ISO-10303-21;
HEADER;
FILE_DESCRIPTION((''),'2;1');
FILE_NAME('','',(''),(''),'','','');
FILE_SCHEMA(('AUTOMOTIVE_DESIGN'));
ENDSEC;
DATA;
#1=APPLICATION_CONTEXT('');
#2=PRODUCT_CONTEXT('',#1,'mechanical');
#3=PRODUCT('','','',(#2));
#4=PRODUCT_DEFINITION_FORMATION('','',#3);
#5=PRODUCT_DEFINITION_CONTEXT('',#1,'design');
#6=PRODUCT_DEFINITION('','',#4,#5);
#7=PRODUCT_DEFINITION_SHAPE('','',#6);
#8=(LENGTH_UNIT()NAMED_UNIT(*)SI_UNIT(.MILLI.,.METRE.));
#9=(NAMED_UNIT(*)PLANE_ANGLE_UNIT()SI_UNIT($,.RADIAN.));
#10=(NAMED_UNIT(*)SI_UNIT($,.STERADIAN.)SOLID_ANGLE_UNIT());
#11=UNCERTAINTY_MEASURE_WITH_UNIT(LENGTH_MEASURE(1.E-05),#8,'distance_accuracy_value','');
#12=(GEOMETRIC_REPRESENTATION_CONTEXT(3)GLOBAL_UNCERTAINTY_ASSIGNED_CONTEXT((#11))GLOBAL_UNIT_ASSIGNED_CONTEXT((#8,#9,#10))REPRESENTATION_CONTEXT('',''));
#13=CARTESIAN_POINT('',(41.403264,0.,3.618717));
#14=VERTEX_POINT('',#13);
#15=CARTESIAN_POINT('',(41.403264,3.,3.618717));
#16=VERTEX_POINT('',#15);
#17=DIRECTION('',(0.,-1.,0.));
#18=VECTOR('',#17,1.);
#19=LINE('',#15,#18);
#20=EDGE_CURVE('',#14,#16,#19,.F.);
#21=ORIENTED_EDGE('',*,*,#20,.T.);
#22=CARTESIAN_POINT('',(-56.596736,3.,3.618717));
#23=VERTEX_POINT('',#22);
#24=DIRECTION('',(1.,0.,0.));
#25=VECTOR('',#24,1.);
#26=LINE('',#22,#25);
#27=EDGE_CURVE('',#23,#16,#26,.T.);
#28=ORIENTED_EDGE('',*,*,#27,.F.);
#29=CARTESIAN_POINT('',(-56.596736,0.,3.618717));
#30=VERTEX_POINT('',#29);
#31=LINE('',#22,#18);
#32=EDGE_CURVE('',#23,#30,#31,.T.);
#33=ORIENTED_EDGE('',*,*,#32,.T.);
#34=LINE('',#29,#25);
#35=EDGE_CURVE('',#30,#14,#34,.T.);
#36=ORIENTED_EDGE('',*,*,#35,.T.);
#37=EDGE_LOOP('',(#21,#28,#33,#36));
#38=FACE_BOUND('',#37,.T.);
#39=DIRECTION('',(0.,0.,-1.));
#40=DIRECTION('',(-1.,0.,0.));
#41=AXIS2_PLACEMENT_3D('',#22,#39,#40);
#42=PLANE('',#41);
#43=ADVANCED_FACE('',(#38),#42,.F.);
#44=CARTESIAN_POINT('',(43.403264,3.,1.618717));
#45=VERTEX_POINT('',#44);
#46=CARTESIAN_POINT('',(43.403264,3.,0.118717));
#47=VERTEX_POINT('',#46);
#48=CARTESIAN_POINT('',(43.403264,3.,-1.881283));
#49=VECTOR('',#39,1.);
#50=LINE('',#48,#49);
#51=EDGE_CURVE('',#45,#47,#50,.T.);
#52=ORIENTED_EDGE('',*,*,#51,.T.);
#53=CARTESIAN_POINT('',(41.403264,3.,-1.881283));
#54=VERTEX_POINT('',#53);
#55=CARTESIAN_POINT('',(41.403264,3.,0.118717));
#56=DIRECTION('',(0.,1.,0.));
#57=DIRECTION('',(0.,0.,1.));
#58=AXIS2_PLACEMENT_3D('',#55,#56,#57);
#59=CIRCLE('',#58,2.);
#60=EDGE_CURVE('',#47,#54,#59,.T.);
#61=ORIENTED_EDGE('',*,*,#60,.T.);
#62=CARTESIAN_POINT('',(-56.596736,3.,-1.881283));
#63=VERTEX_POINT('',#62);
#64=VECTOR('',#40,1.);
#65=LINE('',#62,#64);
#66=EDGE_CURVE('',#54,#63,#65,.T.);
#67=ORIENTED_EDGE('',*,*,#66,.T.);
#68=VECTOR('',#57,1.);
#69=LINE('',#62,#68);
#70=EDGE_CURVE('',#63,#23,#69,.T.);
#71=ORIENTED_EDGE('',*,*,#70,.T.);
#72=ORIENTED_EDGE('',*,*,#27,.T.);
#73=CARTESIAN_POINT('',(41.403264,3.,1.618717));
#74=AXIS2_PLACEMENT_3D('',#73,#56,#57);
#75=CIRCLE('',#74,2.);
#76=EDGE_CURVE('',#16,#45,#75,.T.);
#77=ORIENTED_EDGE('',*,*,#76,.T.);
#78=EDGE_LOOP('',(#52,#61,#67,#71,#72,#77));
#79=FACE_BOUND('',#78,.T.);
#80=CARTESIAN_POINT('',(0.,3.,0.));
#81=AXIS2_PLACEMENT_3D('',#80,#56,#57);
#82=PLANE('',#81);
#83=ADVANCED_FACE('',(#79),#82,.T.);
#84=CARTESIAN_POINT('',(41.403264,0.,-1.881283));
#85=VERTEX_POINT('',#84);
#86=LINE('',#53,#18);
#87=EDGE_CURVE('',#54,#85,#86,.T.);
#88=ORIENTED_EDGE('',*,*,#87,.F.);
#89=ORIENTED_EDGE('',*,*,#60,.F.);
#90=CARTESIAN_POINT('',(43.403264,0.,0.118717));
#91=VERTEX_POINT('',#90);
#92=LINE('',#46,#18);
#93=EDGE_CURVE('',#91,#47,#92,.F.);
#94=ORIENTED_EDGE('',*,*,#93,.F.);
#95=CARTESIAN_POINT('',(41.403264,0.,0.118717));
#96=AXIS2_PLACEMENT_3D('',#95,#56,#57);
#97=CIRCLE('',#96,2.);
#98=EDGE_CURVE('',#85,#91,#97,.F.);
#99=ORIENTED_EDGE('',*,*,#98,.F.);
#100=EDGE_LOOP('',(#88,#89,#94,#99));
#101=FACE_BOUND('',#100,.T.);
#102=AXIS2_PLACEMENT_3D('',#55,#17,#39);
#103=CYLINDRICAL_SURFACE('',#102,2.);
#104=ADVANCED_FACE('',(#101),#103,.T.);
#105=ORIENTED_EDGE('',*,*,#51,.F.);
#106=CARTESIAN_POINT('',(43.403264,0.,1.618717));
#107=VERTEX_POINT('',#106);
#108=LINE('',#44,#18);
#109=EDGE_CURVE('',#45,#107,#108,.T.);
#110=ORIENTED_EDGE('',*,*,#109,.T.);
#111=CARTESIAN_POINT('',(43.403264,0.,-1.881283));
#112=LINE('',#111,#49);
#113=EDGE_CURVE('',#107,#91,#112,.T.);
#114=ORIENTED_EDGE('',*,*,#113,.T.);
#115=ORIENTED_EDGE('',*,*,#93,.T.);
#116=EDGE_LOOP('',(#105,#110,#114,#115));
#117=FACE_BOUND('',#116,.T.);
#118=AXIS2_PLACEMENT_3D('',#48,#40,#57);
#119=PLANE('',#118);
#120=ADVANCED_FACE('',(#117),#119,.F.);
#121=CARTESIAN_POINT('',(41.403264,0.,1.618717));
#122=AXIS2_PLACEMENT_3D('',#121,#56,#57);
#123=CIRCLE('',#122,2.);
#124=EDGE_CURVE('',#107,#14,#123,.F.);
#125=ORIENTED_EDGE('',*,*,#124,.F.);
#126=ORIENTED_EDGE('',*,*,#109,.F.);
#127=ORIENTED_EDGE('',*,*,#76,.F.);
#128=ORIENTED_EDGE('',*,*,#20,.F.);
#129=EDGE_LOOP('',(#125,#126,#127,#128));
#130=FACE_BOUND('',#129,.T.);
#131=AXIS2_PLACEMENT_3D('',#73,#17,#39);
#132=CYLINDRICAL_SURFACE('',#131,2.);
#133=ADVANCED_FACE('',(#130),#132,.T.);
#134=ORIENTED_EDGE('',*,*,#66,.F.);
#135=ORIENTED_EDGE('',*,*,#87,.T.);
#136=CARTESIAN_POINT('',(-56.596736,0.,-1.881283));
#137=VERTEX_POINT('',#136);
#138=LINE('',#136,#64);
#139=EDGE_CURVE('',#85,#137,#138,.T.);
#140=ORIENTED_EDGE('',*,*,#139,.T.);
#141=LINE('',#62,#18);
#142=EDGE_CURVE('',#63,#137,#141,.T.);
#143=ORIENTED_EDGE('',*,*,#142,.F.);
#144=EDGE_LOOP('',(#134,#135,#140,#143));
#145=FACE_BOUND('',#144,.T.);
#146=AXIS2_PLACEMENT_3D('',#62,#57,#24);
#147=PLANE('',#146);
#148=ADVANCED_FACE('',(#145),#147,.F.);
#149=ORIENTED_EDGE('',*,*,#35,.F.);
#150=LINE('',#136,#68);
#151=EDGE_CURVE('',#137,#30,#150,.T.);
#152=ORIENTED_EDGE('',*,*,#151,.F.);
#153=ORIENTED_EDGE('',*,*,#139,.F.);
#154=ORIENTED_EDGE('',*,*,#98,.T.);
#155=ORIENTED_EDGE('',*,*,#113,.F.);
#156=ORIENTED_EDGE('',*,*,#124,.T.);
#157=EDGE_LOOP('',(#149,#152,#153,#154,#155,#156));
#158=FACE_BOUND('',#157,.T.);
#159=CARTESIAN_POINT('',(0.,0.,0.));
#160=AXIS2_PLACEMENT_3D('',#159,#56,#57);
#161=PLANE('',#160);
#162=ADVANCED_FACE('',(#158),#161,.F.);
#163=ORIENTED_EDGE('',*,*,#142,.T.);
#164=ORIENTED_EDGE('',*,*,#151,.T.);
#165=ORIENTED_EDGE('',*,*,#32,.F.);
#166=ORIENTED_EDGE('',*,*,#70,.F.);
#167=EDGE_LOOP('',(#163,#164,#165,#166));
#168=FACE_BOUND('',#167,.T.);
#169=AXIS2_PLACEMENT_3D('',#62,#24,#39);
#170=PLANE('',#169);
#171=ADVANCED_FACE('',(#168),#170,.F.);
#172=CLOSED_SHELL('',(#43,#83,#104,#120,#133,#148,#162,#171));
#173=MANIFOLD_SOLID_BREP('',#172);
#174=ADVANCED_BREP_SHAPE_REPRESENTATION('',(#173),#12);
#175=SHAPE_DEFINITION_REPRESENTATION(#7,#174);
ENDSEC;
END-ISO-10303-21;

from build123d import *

# Parameters (mm, degrees)
SKETCH_1_W      = 100
SKETCH_1_H      = 5.5
EXTRUDE_1_DEPTH = 3
FILLET_1_R      = 2


with BuildPart() as part:
    # Эскиз1 → Бобышка-Вытянуть1 (new body)
    with BuildSketch(Plane(origin=(0, 0, 0), x_dir=(1, 0, 0), z_dir=(0, 1, 0))):
        with Locations((-6.596735768, -0.868717121)):
            Rectangle(SKETCH_1_W, SKETCH_1_H)
    extrude(amount=EXTRUDE_1_DEPTH)

    # Скругление1
    fillet_1_edges = [part.edges().sort_by_distance(p)[0] for p in [
        (43.403264232, 1.5, -1.881282879),
        (43.403264232, 1.5, 3.618717121),
    ]]
    fillet(fillet_1_edges, radius=FILLET_1_R)


solid = part.part
